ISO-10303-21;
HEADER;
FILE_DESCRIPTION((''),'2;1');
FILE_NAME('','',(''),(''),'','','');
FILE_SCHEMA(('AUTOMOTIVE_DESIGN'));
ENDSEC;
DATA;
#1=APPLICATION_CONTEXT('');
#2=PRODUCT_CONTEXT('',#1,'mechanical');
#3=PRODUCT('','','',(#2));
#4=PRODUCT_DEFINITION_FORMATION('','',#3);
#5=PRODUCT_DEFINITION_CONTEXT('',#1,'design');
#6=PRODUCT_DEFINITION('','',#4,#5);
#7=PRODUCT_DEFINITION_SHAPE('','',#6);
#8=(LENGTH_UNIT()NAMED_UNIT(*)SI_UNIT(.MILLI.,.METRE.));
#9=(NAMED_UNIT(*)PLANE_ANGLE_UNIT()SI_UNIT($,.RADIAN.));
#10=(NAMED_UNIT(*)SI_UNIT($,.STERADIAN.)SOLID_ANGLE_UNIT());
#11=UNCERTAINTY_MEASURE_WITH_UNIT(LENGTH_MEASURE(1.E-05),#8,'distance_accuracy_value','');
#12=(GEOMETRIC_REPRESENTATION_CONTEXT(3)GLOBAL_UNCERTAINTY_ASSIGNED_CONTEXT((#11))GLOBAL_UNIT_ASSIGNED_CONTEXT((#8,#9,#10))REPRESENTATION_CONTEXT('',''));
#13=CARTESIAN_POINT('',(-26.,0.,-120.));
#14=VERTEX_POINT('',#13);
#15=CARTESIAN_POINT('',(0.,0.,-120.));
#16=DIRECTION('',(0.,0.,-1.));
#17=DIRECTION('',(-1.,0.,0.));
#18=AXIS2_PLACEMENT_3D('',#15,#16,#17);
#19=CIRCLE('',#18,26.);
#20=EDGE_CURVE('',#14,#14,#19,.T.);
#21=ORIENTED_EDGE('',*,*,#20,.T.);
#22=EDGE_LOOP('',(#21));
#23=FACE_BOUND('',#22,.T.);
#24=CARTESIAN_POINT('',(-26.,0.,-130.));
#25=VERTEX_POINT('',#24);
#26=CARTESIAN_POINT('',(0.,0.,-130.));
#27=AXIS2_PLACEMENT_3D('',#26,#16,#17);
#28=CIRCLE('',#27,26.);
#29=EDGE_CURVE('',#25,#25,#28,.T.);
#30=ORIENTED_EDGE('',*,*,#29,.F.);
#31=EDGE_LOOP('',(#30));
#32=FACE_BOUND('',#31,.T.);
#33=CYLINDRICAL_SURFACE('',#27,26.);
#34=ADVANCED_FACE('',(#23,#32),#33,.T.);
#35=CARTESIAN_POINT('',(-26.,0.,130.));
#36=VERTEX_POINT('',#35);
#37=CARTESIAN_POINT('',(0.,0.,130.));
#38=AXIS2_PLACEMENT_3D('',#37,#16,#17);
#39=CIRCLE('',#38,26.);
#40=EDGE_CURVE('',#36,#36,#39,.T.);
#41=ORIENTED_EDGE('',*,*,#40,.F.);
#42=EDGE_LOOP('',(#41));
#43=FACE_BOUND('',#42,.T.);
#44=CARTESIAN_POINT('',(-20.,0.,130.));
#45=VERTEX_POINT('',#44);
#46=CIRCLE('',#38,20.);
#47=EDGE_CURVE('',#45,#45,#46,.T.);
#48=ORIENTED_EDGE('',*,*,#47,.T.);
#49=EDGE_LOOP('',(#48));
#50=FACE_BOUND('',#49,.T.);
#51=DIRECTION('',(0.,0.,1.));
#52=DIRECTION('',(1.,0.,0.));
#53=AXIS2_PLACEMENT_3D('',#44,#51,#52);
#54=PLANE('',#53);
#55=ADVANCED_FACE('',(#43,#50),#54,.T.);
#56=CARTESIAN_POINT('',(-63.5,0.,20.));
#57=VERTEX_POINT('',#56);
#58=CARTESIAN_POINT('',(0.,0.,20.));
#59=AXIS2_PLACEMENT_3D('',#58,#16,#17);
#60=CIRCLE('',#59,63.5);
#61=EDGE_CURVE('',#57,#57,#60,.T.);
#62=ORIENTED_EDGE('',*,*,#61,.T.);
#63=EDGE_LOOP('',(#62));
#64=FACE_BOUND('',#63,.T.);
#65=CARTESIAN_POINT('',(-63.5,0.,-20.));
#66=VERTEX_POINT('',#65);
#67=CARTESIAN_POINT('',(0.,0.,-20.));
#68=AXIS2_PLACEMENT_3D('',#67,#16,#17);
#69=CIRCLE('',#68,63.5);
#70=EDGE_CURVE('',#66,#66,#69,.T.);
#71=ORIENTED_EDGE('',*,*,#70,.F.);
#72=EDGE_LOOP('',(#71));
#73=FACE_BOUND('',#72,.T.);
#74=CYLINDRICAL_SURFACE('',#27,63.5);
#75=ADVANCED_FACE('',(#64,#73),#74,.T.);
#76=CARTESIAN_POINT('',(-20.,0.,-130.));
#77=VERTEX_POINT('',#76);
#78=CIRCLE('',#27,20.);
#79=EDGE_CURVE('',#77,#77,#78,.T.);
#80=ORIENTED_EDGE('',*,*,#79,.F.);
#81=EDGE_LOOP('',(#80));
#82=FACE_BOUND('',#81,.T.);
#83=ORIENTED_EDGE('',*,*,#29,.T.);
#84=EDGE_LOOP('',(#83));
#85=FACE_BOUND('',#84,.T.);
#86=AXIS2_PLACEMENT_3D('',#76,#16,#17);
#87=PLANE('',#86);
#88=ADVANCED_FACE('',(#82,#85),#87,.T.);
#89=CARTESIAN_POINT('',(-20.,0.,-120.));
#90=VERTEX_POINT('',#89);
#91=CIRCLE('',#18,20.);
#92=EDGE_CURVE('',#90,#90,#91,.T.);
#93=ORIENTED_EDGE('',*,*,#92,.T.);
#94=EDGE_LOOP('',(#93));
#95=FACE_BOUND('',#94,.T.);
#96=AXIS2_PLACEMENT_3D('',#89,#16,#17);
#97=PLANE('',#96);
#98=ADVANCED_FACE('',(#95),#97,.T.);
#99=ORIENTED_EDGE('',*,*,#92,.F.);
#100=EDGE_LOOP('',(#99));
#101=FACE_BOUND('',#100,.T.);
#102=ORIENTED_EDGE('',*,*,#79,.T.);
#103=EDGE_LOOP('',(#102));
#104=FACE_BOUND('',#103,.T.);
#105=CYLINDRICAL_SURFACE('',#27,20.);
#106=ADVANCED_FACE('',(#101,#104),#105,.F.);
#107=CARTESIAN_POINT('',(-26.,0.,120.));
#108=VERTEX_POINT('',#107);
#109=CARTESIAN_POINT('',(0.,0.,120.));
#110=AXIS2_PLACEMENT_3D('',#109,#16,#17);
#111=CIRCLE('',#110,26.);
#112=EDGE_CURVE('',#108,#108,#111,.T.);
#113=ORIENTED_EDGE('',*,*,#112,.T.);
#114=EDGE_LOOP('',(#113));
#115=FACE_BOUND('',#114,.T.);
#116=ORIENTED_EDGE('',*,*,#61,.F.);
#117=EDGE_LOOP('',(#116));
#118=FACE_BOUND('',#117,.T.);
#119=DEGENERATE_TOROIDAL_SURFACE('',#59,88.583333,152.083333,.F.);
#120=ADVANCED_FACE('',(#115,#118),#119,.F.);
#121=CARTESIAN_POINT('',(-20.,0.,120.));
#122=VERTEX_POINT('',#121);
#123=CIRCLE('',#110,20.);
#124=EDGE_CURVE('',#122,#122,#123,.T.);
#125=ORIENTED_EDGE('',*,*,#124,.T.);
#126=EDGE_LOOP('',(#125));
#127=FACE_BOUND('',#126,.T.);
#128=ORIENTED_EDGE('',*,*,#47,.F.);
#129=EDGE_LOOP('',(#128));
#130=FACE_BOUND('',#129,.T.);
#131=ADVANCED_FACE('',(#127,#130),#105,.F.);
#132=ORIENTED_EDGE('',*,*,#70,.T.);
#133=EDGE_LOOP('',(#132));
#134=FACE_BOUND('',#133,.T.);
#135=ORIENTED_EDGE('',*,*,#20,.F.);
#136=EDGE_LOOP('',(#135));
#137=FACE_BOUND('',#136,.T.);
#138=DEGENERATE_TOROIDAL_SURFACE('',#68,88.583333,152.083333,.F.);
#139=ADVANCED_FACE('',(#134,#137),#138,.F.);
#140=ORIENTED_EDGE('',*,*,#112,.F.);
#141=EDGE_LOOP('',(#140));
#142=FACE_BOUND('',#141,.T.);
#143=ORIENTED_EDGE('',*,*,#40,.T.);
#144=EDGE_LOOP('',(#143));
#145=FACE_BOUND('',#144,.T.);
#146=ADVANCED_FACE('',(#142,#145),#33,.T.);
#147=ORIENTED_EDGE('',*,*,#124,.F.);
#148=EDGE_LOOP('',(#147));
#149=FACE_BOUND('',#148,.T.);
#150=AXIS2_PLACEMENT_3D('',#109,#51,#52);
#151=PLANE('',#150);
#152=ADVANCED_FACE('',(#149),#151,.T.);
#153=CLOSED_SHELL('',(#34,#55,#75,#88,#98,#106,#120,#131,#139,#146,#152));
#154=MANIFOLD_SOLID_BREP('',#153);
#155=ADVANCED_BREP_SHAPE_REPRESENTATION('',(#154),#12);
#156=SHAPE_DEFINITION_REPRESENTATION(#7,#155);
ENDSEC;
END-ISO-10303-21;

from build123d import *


with BuildPart() as part:
    # Sketch2 → Revolve1 (revolve)
    with BuildSketch(Plane(origin=(0, 0, 0), x_dir=(1, 0, 0), z_dir=(0, 1, 0))):
        with BuildLine():
            Line((-20, 130), (-20, 120))
            Line((-20, 120), (0, 120))
            Line((0, 120), (0, -120))
            Line((0, -120), (-20, -120))
            Line((-20, -120), (-20, -130))
            Line((-20, -130), (-26, -130))
            Line((-26, -130), (-26, -120))
            ThreePointArc((-26, -120), (-53.816729089, -73.400023408), (-63.5, -20))
            Line((-63.5, -20), (-63.5, 20))
            ThreePointArc((-63.5, 20), (-53.816729089, 73.400023408), (-26, 120))
            Line((-26, 120), (-26, 130))
            Line((-26, 130), (-20, 130))
        make_face()
    revolve(axis=Axis((0, 0, -130), (0, 0, 1)))


solid = part.part
